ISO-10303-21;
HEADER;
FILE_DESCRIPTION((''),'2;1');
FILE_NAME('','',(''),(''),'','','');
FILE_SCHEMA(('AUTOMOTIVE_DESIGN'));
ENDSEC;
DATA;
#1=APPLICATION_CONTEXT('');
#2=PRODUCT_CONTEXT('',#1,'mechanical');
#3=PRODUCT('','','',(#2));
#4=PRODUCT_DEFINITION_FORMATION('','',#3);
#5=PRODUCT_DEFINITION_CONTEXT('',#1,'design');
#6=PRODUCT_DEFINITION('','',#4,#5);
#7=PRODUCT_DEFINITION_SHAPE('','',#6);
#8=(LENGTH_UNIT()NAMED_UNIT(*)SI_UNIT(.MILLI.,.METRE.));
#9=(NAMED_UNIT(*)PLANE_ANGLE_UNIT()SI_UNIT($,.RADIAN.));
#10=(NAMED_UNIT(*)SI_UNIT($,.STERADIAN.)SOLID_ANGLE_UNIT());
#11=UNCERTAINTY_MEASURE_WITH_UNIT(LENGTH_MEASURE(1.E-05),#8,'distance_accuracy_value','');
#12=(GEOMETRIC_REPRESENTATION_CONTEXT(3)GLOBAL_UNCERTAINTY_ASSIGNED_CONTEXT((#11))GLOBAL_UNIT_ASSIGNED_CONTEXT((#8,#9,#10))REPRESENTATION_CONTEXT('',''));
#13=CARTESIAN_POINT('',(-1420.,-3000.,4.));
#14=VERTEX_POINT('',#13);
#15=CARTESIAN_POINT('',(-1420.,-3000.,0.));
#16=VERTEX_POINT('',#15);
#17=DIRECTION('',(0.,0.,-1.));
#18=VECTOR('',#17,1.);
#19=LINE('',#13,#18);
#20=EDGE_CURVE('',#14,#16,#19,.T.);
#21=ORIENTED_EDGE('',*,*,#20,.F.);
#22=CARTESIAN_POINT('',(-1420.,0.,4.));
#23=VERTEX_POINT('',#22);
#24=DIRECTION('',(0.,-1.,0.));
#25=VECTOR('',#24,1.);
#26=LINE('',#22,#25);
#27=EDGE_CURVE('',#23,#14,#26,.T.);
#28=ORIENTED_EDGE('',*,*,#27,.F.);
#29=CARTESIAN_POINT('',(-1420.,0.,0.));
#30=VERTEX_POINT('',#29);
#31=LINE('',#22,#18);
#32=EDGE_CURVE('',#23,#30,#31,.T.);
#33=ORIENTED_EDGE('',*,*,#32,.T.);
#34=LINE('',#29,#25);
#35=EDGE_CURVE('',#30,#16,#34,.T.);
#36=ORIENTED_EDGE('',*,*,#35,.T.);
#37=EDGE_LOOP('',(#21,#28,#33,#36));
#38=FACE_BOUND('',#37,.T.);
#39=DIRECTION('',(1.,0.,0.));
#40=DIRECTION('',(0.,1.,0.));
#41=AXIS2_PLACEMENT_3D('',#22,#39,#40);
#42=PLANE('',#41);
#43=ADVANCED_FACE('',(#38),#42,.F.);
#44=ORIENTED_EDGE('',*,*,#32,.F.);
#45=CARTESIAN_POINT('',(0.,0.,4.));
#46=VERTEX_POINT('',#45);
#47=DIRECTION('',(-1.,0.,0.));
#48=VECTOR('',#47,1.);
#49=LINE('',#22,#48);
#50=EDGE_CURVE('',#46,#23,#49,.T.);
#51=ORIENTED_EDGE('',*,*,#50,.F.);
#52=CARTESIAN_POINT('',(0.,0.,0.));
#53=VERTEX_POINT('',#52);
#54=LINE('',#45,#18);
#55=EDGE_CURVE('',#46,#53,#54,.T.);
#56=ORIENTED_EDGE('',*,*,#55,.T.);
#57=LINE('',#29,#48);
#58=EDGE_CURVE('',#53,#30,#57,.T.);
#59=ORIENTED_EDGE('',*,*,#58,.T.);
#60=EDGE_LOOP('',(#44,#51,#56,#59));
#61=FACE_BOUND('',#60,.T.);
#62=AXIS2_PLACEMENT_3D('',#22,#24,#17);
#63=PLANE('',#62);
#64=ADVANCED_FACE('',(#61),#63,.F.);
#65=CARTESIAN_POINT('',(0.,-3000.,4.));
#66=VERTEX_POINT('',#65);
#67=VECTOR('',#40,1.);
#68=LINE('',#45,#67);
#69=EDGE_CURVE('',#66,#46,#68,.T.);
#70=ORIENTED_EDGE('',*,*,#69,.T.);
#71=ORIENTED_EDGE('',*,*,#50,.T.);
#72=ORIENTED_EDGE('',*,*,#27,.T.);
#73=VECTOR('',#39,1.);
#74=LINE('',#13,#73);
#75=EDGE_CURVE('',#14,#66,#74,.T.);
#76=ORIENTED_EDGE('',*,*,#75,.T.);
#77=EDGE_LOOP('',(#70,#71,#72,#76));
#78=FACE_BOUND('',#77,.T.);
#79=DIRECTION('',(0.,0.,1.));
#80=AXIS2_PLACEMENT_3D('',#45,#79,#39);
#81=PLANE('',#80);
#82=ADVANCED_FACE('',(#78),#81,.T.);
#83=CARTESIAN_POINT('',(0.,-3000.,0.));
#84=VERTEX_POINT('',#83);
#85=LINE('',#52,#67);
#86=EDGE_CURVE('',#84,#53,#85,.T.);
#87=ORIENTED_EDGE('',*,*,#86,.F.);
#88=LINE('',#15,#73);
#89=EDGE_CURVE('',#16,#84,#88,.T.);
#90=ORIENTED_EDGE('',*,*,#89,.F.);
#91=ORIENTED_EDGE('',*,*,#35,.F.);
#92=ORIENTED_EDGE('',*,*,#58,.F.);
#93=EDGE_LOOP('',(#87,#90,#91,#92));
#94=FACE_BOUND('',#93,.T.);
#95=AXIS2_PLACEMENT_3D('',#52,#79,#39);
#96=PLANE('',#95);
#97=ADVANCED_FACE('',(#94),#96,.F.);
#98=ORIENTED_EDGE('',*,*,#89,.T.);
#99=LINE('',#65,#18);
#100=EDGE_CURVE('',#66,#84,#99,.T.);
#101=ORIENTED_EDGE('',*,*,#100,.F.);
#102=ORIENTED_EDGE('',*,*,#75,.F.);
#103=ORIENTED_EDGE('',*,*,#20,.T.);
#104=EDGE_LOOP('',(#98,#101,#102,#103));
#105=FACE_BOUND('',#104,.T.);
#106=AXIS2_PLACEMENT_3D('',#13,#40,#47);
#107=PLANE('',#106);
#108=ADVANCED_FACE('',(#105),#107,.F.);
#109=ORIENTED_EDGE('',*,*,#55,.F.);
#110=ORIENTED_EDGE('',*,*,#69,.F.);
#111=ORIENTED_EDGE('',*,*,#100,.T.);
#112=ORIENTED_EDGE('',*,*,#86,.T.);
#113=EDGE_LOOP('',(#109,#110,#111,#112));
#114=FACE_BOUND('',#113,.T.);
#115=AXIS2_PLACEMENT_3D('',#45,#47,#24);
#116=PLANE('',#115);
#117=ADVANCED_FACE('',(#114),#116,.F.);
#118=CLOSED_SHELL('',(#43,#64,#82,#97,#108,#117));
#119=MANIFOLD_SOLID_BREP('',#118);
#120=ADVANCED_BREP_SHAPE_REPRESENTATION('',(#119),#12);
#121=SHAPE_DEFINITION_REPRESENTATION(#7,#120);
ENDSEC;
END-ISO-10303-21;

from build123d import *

# Parameters (mm, degrees)
SKETCH1_W           = 1420
SKETCH1_H           = 3000
BOSS_EXTRUDE4_DEPTH = 4


with BuildPart() as part:
    # Sketch1 → Boss-Extrude4 (new body)
    with BuildSketch(Plane.XY):
        with Locations((-710, -1500)):
            Rectangle(SKETCH1_W, SKETCH1_H)
    extrude(amount=BOSS_EXTRUDE4_DEPTH)


solid = part.part
